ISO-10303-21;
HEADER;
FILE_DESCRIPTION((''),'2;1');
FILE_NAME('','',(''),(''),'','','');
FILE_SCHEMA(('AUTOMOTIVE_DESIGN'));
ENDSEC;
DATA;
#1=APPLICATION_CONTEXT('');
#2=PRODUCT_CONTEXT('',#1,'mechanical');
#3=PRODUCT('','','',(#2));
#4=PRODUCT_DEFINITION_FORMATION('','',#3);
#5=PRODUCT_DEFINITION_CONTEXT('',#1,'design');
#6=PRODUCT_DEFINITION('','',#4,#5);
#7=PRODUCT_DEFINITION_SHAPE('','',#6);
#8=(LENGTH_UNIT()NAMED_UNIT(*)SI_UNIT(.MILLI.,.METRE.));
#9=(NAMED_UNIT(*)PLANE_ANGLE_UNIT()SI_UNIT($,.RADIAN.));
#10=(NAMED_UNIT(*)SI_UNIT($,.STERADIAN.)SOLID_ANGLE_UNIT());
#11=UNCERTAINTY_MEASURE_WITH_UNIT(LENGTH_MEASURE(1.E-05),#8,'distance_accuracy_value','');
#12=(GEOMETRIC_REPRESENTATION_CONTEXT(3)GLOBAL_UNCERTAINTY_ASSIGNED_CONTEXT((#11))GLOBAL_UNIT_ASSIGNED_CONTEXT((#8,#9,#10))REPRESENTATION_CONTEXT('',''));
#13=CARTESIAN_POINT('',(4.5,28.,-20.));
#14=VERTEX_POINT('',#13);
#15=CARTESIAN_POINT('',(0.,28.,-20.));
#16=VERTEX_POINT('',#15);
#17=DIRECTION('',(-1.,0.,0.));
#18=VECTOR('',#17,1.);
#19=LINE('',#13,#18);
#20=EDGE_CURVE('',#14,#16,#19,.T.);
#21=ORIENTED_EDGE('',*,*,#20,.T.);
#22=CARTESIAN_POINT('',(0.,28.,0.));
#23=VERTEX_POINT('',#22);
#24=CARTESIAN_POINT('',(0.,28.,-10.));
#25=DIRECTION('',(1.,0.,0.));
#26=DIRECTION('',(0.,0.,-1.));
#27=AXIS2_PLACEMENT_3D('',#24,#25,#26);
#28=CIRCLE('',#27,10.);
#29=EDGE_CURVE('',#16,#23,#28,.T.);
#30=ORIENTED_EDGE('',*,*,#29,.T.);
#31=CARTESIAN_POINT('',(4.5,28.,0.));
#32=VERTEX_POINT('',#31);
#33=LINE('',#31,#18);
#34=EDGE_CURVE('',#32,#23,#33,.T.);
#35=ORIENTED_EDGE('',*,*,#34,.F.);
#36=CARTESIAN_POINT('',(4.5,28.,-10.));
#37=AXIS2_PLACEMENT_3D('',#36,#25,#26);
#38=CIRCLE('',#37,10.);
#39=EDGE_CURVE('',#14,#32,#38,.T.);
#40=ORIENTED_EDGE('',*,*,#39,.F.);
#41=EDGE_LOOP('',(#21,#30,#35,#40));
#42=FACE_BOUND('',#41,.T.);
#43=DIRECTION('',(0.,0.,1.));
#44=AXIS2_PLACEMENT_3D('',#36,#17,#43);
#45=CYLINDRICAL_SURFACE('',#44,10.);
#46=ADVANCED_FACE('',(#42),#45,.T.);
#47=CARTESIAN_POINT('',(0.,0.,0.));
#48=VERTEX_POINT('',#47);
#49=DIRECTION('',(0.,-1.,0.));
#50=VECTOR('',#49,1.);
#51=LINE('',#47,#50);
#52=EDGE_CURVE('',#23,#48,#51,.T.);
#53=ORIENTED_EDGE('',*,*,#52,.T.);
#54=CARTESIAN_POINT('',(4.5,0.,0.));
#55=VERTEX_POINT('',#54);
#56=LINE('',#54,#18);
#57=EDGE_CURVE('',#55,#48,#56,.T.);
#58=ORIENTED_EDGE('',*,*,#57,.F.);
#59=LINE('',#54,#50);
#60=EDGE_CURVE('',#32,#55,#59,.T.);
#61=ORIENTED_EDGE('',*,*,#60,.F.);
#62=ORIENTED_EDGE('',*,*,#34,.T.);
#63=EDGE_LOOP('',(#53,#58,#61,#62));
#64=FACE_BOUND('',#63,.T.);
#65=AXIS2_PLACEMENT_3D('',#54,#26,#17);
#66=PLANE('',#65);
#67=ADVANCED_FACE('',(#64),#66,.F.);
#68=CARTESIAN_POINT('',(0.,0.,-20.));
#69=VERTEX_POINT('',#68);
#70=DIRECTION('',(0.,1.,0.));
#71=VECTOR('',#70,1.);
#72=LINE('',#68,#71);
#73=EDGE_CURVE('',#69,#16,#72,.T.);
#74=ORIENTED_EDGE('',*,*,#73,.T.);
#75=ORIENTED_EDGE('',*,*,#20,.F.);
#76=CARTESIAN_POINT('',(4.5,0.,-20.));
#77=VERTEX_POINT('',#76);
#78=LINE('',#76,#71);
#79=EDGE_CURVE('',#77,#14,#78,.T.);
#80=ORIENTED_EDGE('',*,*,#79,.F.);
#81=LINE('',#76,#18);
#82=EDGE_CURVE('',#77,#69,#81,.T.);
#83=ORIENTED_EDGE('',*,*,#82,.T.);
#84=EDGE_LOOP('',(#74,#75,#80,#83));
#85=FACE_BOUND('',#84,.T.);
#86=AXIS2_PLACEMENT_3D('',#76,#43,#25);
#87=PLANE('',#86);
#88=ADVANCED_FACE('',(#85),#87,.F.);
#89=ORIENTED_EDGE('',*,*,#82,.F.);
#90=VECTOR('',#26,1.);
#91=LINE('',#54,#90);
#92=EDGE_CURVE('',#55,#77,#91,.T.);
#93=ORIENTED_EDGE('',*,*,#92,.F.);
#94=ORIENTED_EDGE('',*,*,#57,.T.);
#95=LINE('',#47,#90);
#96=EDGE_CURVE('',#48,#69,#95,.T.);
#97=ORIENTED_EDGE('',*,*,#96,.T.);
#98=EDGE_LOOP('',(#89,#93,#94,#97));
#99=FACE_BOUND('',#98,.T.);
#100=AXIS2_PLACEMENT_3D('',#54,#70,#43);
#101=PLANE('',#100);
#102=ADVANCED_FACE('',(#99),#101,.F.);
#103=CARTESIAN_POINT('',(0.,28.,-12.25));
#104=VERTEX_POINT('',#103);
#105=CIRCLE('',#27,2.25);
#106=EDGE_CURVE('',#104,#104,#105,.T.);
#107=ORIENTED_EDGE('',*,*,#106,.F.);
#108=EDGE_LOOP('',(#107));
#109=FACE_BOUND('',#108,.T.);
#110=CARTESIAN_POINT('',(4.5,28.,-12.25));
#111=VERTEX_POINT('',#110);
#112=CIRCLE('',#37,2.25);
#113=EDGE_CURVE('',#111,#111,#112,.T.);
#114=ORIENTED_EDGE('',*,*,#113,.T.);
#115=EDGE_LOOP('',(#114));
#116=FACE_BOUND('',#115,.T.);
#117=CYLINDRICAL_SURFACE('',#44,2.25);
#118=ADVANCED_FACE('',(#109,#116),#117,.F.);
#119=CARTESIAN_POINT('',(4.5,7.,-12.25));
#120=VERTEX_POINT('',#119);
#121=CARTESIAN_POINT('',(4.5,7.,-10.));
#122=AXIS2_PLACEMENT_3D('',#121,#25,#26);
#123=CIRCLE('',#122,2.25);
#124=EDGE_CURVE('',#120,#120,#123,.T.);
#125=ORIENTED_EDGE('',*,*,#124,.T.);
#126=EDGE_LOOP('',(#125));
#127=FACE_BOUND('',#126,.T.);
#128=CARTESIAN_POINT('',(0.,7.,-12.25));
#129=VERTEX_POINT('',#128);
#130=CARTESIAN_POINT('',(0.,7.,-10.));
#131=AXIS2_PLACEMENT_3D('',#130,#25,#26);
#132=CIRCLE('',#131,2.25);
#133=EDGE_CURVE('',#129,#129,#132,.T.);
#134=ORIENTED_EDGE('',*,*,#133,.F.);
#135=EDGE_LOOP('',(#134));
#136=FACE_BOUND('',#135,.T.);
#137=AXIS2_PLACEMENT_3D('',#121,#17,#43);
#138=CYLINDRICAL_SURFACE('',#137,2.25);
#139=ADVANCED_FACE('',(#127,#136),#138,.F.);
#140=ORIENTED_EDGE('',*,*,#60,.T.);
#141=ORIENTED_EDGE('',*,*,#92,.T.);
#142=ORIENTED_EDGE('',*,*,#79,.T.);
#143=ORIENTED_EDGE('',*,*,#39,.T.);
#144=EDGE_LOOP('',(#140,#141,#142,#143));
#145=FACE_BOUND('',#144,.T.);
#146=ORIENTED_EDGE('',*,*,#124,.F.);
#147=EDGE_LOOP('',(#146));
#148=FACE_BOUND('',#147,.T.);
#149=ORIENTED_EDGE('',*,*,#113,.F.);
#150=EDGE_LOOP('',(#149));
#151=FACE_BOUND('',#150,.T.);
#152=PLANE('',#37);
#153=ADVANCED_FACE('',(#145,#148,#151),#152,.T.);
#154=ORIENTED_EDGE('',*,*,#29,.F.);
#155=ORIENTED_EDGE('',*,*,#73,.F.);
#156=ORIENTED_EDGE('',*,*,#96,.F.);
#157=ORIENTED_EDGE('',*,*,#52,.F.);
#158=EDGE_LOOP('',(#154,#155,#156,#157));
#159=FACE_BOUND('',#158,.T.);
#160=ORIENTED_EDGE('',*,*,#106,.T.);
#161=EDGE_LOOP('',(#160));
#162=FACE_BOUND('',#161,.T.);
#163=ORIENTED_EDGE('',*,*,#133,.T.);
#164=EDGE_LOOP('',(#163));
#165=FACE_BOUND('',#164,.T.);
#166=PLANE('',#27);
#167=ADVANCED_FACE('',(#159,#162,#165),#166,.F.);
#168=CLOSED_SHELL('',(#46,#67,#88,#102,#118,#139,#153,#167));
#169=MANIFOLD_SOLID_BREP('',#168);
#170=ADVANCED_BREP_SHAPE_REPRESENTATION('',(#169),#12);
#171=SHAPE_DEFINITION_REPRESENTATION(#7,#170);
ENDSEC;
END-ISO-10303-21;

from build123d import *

# Parameters (mm, degrees)
SKETCH_1_R      = 2.25
EXTRUDE_1_DEPTH = 4.5


with BuildPart() as part:
    # 草图1 → 凸台-拉伸1 (new body)
    with BuildSketch(Plane(origin=(0, 0, 0), x_dir=(0, 0, -1), z_dir=(1, 0, 0))):
        with BuildLine():
            Line((0, 0), (20, 0))
            Line((20, 0), (20, 28))
            ThreePointArc((20, 28), (10, 38), (0, 28))
            Line((0, 28), (0, 0))
        make_face()
        with Locations((10, 28)):
            Circle(SKETCH_1_R, mode=Mode.SUBTRACT)
        with Locations((10, 7)):
            Circle(SKETCH_1_R, mode=Mode.SUBTRACT)
    extrude(amount=EXTRUDE_1_DEPTH)


solid = part.part
